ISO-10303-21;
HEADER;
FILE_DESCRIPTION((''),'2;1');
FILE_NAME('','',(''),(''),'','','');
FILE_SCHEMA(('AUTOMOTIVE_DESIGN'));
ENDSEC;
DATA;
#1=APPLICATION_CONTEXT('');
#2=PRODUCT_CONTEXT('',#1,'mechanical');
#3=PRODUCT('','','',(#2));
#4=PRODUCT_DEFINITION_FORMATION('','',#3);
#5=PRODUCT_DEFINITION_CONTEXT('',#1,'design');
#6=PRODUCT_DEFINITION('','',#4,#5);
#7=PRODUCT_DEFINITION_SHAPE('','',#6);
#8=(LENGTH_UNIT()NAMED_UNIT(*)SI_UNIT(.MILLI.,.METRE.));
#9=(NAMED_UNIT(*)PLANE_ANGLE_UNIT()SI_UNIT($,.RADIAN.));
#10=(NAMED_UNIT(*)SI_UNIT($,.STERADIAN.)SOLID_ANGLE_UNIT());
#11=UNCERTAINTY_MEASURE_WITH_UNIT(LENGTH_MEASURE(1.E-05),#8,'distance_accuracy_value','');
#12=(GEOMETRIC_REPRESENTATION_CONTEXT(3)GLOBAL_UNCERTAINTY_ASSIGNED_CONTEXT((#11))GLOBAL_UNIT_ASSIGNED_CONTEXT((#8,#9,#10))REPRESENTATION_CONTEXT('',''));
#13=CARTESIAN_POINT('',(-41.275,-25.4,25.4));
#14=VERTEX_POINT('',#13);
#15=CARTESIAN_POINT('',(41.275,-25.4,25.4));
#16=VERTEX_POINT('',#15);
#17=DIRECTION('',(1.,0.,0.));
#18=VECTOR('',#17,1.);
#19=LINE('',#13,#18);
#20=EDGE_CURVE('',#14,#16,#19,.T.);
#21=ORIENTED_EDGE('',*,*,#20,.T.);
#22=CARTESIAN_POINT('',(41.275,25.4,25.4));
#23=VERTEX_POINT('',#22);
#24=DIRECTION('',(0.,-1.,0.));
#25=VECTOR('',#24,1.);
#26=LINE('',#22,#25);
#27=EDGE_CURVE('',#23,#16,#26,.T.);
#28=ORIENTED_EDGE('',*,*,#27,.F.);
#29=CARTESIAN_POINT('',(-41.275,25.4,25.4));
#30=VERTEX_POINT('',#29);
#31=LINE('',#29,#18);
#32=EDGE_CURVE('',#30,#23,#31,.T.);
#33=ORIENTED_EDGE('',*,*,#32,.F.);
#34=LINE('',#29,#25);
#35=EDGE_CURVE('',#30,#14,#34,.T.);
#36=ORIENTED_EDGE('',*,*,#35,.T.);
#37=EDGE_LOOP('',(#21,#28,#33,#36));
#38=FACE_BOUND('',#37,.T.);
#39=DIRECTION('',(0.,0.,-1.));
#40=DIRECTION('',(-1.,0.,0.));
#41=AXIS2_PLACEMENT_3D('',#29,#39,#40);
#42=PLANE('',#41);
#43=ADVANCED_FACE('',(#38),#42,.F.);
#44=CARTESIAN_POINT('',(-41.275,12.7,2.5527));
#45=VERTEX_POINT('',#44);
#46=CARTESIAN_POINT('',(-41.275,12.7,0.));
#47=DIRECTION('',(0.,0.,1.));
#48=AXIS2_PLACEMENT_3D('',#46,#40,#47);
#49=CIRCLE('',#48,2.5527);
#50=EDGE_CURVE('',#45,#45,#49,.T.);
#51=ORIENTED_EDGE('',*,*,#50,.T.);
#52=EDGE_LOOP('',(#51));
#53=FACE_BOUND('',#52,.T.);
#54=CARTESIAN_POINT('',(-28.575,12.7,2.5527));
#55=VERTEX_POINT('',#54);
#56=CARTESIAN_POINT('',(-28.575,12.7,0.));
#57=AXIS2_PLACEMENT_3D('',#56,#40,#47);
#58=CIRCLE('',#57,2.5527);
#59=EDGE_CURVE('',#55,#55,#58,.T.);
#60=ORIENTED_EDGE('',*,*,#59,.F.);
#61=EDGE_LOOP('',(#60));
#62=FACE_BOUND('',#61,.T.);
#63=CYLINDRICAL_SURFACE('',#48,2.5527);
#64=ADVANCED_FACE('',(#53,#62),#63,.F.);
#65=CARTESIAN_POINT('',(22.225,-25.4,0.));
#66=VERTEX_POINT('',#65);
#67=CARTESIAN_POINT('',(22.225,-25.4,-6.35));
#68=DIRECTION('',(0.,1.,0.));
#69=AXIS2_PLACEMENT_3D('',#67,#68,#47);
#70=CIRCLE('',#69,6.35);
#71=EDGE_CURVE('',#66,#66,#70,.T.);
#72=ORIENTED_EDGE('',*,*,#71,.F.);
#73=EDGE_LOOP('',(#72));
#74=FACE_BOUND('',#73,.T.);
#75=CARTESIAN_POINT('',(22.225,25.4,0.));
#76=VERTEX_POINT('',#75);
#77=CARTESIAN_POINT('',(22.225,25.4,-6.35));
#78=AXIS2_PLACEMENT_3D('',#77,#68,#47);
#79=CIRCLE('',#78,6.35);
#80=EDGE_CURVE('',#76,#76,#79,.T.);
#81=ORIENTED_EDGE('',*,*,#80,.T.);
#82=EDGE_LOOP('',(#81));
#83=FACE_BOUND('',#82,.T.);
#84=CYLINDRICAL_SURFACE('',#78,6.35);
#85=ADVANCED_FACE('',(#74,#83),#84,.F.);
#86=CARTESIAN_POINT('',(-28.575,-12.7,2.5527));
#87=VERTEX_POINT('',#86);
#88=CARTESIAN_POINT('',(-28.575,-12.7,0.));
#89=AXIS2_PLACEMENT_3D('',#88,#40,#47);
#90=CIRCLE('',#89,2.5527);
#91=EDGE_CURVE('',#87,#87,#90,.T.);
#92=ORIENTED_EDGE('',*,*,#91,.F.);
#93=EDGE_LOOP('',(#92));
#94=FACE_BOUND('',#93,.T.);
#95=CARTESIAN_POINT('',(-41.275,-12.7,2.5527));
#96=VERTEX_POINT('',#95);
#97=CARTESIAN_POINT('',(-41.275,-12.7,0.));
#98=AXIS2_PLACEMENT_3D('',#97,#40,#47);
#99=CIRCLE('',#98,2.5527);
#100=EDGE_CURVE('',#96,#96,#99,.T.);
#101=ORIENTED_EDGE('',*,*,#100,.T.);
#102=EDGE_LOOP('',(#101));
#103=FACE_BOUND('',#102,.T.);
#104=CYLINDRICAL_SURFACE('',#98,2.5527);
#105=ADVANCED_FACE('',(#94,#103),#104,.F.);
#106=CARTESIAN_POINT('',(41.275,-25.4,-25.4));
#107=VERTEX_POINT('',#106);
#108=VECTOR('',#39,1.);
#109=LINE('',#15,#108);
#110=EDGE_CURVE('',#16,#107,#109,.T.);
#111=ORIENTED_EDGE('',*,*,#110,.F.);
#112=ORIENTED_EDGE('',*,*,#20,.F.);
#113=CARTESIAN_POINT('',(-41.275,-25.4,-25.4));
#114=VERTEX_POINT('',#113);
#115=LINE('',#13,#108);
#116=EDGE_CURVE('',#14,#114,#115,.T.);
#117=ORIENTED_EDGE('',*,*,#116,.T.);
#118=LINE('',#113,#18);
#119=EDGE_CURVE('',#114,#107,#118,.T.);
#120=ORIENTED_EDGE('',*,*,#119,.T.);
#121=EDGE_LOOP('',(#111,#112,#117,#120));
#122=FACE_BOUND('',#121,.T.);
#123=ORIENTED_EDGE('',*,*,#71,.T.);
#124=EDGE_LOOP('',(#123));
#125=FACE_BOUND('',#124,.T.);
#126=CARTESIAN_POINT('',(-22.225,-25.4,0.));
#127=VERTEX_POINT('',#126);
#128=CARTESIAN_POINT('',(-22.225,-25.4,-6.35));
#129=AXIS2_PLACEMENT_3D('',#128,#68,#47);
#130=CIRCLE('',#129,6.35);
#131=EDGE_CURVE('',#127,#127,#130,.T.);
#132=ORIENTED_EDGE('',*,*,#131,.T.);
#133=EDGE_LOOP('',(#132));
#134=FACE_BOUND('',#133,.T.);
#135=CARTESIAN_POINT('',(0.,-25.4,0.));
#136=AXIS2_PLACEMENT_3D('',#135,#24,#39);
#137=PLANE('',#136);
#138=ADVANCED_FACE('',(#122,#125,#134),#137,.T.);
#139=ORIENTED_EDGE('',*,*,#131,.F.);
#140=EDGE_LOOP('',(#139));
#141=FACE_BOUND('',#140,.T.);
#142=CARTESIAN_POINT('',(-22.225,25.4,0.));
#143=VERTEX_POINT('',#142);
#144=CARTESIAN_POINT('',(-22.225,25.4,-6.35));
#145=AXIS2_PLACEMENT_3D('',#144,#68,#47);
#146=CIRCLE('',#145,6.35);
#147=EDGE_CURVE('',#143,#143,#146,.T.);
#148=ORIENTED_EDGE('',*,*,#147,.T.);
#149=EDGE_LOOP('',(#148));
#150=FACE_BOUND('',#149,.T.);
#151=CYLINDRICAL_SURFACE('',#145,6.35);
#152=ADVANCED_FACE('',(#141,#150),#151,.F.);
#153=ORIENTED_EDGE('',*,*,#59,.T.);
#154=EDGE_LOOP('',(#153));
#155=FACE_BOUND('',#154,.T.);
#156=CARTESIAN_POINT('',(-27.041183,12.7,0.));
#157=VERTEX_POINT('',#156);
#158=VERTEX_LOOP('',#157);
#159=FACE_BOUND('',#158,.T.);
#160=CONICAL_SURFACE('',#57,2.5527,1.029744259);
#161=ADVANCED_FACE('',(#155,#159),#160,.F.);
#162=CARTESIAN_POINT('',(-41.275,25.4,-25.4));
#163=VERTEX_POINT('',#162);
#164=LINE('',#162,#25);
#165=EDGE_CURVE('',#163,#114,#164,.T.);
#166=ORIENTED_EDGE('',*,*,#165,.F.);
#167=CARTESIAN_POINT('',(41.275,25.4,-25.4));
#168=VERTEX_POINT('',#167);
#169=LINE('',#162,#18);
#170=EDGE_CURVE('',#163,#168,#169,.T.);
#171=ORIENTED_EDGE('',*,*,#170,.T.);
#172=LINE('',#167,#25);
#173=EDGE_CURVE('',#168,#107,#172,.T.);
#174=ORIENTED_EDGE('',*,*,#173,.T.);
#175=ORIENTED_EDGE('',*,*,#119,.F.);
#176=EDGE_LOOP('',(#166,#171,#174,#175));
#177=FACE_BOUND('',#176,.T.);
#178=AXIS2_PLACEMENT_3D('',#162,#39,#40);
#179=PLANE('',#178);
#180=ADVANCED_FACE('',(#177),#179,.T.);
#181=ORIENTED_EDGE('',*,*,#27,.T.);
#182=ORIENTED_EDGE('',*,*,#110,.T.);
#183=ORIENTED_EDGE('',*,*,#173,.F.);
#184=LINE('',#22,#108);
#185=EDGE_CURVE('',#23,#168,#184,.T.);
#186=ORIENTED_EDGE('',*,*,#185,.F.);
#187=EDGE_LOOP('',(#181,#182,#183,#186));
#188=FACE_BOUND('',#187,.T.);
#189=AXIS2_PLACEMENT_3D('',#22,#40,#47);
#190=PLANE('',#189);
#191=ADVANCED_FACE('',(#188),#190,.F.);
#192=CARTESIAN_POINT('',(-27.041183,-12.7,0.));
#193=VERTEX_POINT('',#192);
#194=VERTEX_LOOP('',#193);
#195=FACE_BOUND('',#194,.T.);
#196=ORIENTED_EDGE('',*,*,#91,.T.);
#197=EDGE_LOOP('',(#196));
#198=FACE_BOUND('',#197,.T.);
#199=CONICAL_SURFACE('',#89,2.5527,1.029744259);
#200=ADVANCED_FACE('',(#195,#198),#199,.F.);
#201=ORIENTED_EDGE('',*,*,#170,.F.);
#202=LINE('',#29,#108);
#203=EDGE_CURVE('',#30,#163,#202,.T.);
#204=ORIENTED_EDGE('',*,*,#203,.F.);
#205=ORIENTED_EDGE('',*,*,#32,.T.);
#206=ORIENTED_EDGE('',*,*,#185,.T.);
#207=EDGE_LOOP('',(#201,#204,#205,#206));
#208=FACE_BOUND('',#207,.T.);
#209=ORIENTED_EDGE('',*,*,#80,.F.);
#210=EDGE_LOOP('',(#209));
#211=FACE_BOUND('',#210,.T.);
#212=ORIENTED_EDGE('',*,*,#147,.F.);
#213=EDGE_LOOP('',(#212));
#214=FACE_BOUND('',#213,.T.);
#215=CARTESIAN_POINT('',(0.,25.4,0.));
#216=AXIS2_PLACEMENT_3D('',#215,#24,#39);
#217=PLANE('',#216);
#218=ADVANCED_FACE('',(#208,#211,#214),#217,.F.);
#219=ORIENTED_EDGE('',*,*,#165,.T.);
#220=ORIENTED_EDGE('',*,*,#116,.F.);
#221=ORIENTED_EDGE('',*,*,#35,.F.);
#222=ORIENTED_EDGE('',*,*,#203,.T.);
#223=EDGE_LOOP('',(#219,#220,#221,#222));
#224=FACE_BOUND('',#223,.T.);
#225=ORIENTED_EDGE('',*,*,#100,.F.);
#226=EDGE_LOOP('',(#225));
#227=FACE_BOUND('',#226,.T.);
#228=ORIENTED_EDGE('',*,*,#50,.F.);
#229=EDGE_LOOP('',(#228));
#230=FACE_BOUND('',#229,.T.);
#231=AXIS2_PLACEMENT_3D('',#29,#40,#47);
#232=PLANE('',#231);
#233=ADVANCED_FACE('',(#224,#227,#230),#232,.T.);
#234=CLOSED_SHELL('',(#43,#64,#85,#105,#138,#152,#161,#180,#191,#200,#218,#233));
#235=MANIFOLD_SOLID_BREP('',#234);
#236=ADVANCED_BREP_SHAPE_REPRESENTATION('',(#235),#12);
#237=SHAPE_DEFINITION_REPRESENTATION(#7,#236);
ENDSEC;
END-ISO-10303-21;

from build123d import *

# Parameters (mm, degrees)
SKETCH1_W                   = 82.55
SKETCH1_H                   = 50.8
BOSS_EXTRUDE1_DEPTH         = 25.4
F_1_2_0_5000_DOWEL_HOLE1_D  = 12.7
F_1_4_20_TAPPED_HOLE1_D     = 5.1054
F_1_4_20_TAPPED_HOLE1_DEPTH = 12.7
F_1_4_20_TAPPED_HOLE1_TIP   = 1.533816902


with BuildPart() as part:
    # Sketch1 → Boss-Extrude1 (new, symmetric)
    with BuildSketch(Plane(origin=(0, 0, 0), x_dir=(1, 0, 0), z_dir=(0, 1, 0))):
        Rectangle(SKETCH1_W, SKETCH1_H)
    extrude(amount=BOSS_EXTRUDE1_DEPTH, both=True)

    # 1/2 (0.5000) Dowel Hole1 (through all)
    with Locations(Plane(origin=(0, 25.4, 0), x_dir=(1, 0, 0), z_dir=(0, 1, 0))):
        with Locations((22.225, 6.35), (-22.225, 6.35)):
            Hole(F_1_2_0_5000_DOWEL_HOLE1_D / 2)

    # 1/4-20 Tapped Hole1
    with Locations(Plane.ZY.offset(41.275)):
        with Locations((0, 12.7), (0, -12.7)):
            Hole(F_1_4_20_TAPPED_HOLE1_D / 2, depth=F_1_4_20_TAPPED_HOLE1_DEPTH)
            with Locations((0, 0, -(F_1_4_20_TAPPED_HOLE1_DEPTH + F_1_4_20_TAPPED_HOLE1_TIP / 2))):  # 118° drill point
                Cone(0, F_1_4_20_TAPPED_HOLE1_D / 2, F_1_4_20_TAPPED_HOLE1_TIP, mode=Mode.SUBTRACT)


solid = part.part
